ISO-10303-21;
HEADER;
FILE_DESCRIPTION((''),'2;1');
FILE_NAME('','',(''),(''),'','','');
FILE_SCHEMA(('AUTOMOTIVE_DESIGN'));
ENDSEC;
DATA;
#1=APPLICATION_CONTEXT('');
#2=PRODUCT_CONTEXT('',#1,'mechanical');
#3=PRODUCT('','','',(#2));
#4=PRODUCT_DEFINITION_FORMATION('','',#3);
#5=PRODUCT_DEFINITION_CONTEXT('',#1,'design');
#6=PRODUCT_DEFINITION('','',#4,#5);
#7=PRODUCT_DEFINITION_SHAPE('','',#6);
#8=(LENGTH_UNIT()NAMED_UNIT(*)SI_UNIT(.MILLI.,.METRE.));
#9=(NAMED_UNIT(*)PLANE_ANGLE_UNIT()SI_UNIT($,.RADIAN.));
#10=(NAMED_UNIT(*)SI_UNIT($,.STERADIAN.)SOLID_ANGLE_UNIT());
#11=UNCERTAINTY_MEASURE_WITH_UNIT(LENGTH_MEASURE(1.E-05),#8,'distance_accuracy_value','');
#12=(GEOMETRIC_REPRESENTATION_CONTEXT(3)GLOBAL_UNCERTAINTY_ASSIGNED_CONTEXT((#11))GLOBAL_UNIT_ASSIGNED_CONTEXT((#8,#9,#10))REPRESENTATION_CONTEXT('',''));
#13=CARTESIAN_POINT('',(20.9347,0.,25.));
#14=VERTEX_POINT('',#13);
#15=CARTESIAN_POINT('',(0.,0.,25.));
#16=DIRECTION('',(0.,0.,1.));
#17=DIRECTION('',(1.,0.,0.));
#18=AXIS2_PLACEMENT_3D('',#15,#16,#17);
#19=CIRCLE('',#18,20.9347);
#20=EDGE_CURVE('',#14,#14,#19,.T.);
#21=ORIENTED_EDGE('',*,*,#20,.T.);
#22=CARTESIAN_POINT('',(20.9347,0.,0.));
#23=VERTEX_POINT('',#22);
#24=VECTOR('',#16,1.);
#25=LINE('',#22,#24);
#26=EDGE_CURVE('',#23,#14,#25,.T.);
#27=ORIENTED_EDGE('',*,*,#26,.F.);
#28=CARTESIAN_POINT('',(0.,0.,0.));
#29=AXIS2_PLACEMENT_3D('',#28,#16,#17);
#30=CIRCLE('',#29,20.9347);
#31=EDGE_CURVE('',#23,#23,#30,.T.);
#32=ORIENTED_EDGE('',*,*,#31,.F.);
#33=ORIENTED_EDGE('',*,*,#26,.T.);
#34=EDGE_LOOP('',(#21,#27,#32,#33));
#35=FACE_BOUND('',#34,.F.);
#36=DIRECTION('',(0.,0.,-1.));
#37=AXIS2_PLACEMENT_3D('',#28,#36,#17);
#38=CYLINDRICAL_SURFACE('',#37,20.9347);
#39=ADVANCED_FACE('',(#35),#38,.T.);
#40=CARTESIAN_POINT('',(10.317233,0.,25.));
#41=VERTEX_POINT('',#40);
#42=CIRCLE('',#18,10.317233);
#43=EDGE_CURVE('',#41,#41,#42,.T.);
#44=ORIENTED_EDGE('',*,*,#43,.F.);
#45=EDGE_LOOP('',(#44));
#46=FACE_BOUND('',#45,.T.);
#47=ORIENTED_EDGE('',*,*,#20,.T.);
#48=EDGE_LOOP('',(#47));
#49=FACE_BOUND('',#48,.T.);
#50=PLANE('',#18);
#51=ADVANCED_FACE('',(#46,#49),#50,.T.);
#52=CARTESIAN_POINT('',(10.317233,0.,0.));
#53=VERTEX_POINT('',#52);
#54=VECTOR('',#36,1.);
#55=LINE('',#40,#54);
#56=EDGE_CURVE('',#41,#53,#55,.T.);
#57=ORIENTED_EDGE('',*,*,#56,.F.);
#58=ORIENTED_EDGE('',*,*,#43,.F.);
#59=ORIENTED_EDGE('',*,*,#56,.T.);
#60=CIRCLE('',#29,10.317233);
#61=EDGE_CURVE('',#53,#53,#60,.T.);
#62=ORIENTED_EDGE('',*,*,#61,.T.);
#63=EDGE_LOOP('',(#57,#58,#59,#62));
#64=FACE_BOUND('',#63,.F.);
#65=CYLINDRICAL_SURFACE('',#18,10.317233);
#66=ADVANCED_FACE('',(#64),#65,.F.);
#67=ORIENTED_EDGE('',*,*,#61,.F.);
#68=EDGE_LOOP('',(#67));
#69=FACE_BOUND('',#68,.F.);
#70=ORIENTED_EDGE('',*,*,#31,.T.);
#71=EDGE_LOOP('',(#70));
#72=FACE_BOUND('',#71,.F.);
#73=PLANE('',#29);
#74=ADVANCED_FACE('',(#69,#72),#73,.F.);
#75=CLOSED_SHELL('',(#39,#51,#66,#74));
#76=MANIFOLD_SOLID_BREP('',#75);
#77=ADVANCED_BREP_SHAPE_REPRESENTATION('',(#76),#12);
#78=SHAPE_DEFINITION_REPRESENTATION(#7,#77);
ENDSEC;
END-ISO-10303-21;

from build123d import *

# Parameters (mm, degrees)
F0_R     = 20.9347
F1_DEPTH = 25
F2_R     = 9.210685
F3_DEPTH = 25
F4_R     = 10.317233
F5_DEPTH = 25


with BuildPart() as f1:
    # F0 (on Top) → F1 (new body)
    with BuildSketch(Plane.XY):
        Circle(F0_R)
    extrude(amount=F1_DEPTH)

    # F2 (on face) → F3 (join)
    with BuildSketch(Plane.XY.offset(25)):
        Circle(F2_R)
    extrude(amount=-F3_DEPTH)

    # F4 (on face) → F5 (cut)
    with BuildSketch(Plane.XY.offset(25)):
        Circle(F4_R)
    extrude(amount=-F5_DEPTH, mode=Mode.SUBTRACT)


solid = f1.part
